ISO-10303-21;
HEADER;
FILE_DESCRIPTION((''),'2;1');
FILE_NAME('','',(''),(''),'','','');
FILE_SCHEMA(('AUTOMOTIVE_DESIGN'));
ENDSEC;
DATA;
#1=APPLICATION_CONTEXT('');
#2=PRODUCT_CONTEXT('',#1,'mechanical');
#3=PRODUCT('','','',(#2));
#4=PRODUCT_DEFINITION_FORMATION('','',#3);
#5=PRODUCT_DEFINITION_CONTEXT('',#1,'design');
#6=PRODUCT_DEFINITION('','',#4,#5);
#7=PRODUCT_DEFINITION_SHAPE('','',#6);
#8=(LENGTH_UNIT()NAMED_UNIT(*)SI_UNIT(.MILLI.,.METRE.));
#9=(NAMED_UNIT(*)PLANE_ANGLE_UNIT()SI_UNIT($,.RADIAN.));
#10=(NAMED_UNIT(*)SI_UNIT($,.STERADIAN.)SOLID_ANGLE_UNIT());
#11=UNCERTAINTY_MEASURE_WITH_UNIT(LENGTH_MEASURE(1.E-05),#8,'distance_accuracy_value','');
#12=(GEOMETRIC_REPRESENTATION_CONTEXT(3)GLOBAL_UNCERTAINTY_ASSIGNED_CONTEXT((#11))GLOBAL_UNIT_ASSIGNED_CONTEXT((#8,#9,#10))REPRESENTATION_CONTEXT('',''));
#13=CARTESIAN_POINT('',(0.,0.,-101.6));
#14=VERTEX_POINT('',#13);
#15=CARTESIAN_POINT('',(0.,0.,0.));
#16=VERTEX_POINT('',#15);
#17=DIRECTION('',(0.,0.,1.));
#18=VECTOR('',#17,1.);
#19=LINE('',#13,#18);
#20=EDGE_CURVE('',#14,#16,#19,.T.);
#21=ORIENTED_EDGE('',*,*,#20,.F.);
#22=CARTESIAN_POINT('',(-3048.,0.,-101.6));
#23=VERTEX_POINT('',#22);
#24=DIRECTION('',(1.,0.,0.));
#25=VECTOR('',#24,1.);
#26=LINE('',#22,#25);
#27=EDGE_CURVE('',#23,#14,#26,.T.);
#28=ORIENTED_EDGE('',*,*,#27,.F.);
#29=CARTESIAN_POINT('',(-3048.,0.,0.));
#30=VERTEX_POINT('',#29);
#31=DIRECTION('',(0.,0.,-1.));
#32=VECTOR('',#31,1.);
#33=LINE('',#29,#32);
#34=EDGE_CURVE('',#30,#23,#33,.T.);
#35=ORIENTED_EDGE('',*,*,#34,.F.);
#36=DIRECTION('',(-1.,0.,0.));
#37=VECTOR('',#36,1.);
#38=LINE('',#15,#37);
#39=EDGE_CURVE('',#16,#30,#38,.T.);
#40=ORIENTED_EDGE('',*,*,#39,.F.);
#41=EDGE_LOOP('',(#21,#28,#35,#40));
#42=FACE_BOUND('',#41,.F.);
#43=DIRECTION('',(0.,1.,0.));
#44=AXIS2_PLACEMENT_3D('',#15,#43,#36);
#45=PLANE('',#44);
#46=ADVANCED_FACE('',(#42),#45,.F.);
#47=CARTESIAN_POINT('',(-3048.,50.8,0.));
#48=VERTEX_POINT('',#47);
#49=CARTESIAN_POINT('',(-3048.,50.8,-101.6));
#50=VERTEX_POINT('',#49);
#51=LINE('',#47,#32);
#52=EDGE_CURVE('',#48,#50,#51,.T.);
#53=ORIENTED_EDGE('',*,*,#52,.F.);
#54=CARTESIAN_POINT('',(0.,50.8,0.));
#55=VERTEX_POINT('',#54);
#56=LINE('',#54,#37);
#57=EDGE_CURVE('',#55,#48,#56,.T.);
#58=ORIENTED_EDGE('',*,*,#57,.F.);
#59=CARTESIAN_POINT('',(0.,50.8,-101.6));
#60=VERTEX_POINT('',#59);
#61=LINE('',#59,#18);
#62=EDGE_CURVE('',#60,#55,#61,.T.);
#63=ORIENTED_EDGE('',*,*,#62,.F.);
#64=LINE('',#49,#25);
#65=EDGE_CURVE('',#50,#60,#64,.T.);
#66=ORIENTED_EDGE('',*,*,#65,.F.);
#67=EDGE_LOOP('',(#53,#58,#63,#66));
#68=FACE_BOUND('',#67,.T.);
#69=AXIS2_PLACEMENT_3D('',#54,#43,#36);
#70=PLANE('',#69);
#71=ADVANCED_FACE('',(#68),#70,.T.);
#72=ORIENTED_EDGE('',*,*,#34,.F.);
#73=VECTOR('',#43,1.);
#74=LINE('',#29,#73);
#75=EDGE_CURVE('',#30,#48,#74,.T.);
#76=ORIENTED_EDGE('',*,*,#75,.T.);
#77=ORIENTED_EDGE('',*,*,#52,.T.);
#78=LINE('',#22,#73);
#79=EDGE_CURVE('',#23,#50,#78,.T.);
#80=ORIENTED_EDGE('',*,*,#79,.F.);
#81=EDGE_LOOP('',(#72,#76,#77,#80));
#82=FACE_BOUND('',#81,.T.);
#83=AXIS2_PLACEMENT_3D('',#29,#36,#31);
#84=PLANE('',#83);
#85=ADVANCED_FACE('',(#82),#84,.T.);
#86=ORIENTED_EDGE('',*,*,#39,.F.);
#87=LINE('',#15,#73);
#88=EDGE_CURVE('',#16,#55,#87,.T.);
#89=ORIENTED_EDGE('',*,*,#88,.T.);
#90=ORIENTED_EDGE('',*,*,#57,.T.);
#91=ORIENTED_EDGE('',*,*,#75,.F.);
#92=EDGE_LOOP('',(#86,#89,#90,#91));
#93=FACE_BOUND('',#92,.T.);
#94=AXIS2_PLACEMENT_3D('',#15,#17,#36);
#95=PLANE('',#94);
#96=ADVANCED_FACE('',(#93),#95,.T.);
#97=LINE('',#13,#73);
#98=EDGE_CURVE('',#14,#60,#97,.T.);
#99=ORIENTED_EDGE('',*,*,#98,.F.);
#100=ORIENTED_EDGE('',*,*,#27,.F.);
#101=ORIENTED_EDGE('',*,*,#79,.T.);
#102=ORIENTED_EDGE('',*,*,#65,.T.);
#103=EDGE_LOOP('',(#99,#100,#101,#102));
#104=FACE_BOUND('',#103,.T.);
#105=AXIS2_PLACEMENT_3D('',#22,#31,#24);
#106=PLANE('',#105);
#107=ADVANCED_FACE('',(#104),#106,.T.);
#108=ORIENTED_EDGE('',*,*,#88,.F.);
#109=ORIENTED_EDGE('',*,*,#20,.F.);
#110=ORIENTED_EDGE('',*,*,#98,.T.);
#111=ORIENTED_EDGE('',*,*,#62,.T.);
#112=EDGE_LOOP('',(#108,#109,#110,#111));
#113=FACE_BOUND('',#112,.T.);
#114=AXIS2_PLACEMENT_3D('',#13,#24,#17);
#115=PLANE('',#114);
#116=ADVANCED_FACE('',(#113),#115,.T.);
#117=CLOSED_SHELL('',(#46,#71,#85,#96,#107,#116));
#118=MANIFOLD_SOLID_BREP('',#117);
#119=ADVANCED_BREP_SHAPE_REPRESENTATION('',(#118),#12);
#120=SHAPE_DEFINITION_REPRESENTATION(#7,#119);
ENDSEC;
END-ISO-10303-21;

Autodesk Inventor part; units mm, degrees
ref_plane "YZ Plane" through (0, 0, 0) normal (1, 0, 0) x (0, 1, 0)
ref_plane "XZ Plane" through (0, 0, 0) normal (0, 1, 0) x (-1, 0, 0)
ref_plane "XY Plane" through (0, 0, 0) normal (0, 0, 1) x (1, 0, 0)
sketch "Sketch1" plane through (0, 0, 0) normal (0, 1, 0) x (-1, 0, 0)
  line L0 (0, 0) -> (3048, 0)
  line L1 (3048, 0) -> (3048, -101.6)
  line L2 (3048, -101.6) -> (0, -101.6)
  line L3 (0, -101.6) -> (0, 0)
  dimension "d0" = 3048
  dimension "d1" = 101.6
extrude "Extrusion1" add sketch "Sketch1" along normal blind 50.8
properties part number "2x4x120"
